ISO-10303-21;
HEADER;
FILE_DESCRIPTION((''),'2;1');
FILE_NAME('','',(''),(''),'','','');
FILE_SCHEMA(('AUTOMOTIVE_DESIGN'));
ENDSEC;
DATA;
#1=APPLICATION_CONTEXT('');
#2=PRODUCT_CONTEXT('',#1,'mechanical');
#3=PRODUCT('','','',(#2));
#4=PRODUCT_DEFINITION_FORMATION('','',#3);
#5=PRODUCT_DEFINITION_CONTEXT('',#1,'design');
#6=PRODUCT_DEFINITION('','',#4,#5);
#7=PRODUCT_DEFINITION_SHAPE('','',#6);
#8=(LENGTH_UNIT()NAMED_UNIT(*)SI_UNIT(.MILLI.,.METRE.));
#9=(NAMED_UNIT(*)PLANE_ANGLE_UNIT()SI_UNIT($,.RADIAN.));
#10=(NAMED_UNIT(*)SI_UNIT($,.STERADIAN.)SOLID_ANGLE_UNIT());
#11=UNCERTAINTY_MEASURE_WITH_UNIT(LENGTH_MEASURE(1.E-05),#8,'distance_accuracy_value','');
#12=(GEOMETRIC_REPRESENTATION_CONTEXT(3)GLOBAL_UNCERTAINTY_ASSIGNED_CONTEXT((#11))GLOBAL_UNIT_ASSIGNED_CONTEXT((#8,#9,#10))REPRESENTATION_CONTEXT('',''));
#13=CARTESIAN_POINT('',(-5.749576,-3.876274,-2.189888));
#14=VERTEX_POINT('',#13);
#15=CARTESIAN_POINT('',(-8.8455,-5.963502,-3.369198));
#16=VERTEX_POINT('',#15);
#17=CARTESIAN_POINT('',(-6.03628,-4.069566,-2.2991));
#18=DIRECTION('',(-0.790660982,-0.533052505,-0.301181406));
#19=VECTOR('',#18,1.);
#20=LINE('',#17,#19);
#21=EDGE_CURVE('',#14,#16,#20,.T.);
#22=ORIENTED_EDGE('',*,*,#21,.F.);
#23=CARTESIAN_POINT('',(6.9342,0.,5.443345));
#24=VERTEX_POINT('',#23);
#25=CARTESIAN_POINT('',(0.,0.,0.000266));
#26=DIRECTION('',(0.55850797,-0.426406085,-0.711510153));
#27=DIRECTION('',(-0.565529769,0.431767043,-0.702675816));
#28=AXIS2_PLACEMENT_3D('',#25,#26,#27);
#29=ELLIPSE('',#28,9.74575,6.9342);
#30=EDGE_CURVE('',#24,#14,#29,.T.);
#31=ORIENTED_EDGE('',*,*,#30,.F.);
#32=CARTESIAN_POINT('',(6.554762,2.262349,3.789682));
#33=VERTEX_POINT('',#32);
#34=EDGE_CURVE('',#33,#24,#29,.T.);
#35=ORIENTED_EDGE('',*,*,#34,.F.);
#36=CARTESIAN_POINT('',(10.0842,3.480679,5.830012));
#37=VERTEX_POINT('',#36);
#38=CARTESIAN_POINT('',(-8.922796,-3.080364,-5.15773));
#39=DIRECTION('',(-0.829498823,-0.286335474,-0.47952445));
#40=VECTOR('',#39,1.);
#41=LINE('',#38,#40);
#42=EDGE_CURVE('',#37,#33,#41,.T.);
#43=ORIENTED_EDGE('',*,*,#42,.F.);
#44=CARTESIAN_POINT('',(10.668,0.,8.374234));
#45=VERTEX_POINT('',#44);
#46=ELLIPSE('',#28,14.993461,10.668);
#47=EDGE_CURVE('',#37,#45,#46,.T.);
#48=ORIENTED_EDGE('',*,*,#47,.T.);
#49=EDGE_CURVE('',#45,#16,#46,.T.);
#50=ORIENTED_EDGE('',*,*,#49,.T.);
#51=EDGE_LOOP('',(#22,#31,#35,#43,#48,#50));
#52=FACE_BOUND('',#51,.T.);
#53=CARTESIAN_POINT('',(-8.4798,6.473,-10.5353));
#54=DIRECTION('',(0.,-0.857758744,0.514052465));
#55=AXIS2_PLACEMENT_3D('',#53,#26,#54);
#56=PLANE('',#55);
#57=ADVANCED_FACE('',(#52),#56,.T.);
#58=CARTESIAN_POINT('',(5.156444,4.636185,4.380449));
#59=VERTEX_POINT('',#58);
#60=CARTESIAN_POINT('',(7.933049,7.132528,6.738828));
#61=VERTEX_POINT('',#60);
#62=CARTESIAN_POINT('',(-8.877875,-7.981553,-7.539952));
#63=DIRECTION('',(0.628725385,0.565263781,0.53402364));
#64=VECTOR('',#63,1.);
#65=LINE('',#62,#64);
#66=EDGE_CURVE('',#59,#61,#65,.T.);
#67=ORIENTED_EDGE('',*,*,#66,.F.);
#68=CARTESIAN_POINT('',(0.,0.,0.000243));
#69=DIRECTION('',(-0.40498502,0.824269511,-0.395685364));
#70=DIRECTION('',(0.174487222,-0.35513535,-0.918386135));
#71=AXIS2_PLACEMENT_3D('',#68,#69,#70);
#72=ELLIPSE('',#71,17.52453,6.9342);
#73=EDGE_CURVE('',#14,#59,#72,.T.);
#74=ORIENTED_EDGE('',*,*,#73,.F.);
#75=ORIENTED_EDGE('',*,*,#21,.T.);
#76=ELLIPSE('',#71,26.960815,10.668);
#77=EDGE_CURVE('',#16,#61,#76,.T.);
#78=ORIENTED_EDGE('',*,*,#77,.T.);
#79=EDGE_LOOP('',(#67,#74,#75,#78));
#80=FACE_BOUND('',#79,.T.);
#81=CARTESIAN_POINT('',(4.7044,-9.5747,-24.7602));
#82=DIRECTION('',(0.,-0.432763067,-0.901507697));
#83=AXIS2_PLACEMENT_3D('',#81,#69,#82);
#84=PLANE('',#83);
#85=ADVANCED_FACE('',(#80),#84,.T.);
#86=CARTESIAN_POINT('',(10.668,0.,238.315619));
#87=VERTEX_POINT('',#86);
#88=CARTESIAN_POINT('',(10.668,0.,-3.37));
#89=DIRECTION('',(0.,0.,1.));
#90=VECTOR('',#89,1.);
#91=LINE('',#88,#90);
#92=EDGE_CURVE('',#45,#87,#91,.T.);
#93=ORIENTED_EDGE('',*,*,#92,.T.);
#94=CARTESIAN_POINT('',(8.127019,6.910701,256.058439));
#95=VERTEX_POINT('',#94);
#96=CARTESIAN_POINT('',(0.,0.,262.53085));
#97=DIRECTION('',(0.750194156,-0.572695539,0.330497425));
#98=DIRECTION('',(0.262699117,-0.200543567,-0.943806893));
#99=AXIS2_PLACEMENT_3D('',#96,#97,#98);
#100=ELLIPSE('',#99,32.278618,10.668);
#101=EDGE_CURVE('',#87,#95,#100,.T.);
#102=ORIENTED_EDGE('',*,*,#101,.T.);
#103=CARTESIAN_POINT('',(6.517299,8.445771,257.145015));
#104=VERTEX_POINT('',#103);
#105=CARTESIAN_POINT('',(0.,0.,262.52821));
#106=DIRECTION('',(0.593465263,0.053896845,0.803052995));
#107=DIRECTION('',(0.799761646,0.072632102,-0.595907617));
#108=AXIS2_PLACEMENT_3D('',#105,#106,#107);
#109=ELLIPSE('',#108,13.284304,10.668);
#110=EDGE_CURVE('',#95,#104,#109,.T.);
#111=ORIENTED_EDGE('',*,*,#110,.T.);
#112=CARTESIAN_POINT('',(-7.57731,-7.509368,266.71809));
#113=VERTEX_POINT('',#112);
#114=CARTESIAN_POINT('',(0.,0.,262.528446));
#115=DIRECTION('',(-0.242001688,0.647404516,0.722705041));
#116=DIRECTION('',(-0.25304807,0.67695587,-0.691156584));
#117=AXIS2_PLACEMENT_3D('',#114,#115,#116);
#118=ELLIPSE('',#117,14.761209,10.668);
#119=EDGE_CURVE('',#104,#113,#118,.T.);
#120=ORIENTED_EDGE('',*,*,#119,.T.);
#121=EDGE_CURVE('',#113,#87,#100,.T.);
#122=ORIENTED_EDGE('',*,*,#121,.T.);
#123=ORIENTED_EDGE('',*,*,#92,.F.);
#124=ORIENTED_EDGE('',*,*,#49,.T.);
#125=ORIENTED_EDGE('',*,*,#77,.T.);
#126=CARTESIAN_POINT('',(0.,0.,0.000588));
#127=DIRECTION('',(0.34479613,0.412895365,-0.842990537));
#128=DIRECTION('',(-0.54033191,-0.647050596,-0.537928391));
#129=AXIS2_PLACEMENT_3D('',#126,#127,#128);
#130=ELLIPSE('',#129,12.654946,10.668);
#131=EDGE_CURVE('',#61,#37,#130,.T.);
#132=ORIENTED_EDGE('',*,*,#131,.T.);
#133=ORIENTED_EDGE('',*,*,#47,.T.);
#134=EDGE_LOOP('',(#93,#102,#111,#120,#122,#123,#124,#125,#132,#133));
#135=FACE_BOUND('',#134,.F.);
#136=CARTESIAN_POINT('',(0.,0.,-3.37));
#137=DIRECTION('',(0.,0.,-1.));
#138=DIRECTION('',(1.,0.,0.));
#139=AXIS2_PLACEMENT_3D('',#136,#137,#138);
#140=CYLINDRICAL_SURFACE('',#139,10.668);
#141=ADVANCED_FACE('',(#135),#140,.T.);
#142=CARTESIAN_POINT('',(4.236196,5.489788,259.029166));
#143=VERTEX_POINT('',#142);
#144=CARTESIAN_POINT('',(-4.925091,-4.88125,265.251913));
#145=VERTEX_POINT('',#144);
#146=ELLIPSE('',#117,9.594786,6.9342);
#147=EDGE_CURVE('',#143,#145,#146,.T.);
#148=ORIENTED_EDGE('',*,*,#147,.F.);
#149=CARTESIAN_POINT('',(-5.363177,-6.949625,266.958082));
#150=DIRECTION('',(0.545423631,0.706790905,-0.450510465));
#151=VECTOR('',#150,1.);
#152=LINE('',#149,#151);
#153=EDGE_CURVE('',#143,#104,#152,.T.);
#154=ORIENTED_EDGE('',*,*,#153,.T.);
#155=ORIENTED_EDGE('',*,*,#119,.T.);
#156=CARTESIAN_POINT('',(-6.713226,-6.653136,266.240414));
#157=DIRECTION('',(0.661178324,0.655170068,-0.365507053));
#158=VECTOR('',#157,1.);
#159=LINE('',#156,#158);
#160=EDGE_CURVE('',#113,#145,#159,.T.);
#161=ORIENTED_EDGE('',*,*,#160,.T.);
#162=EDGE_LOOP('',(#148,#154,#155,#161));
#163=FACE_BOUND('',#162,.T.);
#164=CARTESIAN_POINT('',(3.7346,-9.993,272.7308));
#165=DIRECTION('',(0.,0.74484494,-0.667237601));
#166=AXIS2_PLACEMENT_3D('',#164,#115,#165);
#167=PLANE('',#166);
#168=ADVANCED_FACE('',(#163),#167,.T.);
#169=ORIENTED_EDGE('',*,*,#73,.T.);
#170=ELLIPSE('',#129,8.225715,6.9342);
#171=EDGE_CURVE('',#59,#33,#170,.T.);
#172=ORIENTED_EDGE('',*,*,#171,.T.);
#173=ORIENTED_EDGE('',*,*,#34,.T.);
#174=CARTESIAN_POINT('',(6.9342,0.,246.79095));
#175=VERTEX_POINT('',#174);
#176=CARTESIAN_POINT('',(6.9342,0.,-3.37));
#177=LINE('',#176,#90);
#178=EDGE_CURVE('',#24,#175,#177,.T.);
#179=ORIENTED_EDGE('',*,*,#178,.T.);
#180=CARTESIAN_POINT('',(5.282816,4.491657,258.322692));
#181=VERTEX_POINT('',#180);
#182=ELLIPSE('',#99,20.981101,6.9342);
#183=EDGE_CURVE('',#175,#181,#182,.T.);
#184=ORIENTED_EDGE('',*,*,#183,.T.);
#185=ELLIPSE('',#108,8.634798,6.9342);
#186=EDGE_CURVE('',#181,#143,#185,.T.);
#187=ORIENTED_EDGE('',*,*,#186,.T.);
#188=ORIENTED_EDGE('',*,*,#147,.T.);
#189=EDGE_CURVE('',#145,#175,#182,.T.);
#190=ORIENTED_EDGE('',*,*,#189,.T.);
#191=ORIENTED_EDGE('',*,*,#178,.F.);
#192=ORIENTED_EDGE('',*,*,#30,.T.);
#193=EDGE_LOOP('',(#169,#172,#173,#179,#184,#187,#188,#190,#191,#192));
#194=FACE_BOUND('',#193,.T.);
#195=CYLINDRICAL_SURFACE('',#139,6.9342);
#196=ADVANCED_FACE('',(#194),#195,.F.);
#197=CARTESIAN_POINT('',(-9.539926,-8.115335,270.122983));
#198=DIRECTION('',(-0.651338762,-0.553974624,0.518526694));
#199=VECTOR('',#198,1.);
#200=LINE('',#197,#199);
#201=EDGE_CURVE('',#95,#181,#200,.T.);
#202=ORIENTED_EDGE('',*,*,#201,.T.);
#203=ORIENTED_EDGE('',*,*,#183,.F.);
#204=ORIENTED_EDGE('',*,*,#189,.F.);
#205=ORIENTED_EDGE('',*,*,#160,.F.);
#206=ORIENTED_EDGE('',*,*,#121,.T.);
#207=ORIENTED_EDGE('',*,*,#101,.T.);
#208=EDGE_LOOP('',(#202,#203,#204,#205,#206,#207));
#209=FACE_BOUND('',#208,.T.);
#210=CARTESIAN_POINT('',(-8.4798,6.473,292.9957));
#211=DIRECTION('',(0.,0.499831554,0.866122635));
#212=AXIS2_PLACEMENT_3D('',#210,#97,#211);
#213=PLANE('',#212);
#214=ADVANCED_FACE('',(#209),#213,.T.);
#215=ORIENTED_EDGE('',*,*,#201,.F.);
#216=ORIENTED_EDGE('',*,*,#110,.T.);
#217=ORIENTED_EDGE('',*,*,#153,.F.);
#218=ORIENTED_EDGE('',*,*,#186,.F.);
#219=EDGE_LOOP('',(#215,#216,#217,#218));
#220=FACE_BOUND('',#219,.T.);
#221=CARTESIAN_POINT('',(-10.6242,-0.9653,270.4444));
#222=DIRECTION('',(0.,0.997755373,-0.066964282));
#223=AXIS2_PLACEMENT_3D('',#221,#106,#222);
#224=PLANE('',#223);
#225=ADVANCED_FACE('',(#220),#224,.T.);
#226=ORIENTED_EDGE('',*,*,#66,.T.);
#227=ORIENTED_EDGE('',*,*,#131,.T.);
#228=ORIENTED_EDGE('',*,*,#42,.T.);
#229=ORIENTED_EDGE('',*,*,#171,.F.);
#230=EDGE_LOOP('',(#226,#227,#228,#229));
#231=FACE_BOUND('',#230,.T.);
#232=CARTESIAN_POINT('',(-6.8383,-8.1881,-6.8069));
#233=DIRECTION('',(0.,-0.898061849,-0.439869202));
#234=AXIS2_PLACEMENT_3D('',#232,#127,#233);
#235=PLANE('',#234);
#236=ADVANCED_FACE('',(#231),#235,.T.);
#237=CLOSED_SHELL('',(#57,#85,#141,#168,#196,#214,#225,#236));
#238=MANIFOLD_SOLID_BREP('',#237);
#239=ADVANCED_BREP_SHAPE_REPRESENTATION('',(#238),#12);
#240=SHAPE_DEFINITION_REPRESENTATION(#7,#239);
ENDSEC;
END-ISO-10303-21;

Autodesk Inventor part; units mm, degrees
ref_plane "Start Plane" through (0, 0, -3.37) normal (0, 0, 1) x (1, 0, 0)
ref_plane "End Plane" through (0, 0, 266.7183) normal (0, 0, 1) x (1, 0, 0)
sketch "Sketch" plane through (0, 0, 0) normal (0, 0, 1) x (1, 0, 0)
  circle A0 centre (0, 0) radius 6.9342
  circle A1 centre (0, 0) radius 10.668
  dimension "d0" = 21.336
  dimension "d1" = 3.7338
extrude "Body" add sketch "Sketch" along normal up to surface (270.0883 mm away) from surface at -3.37
sketch "Sketch3" plane through (0, 0, 0) normal (0, 0, 1) x (1, 0, 0)
  line L0 (0, 0) -> (10, 0)
ref_plane "Work Plane3" through (0, 0, 0) normal (0, -1, 0) x (1, 0, 0)
sketch "Sketch4" plane through (0, 0, 0) normal (0, -1, 0) x (1, 0, 0)
  line L0 (-2, -3.37) -> (12, -3.37)
  line L1 (-2, 266.7183) -> (12, 266.7183)
  dimension "d7" = 270.0883
ref_plane "Work Plane4" through (-6.8383, -8.1881, -6.8069) normal (0.3448, 0.4129, -0.843) x (0.2427, -0.9068, -0.3448)
split "Split1" plane through (-6.8383, -8.1881, -6.8069) removes the side toward (0.3448, 0.4129, -0.843)
ref_plane "Work Plane5" through (4.7044, -9.5747, -24.7602) normal (-0.405, 0.8243, -0.3957) x (0.7286, 0.5524, 0.405)
split "Split2" plane through (4.7044, -9.5747, -24.7602) removes the side toward (-0.405, 0.8243, -0.3957)
ref_plane "Work Plane6" through (-8.4798, 6.473, -10.5353) normal (0.5585, -0.4264, -0.7115) x (-0.0814, 0.8255, -0.5585)
split "Split3" plane through (-8.4798, 6.473, -10.5353) removes the side toward (0.5585, -0.4264, -0.7115)
ref_plane "Work Plane7" through (3.7346, -9.993, 272.7308) normal (-0.242, 0.6474, 0.7227) x (0.966, 0.0909, 0.242)
split "Split4" plane through (3.7346, -9.993, 272.7308) removes the side toward (-0.242, 0.6474, 0.7227)
ref_plane "Work Plane8" through (-8.4798, 6.473, 292.9957) normal (0.7502, -0.5727, 0.3305) x (0.577, 0.3229, -0.7502)
split "Split5" plane through (-8.4798, 6.473, 292.9957) removes the side toward (0.7502, -0.5727, 0.3305)
ref_plane "Work Plane9" through (-10.6242, -0.9653, 270.4444) normal (0.5935, 0.0539, 0.8031) x (0.8047, -0.0177, -0.5935)
split "Split6" plane through (-10.6242, -0.9653, 270.4444) removes the side toward (0.5935, 0.0539, 0.8031)
equation "\"d0\" = G_H"
equation "\"d1\" = G_T"
equation "\"d2\" = G_L"
equation "\"G_H\" = 21.336"
equation "\"G_T\" = 3.7338"
equation "\"G_L\" = 270.08826"
equation "\"G_OFFSET_START\" = 3.36995"
equation "\"G_OFFSET_END\" = 4.18997"
equation "\"d4\" = -G_OFFSET_START"
equation "\"d5\" = G_OFFSET_END + B_L"
equation "\"B_L\" = 262.52833"
properties part number "ANSI - 1/2 x 0.147 - 10.633" material "Steel, Mild"
